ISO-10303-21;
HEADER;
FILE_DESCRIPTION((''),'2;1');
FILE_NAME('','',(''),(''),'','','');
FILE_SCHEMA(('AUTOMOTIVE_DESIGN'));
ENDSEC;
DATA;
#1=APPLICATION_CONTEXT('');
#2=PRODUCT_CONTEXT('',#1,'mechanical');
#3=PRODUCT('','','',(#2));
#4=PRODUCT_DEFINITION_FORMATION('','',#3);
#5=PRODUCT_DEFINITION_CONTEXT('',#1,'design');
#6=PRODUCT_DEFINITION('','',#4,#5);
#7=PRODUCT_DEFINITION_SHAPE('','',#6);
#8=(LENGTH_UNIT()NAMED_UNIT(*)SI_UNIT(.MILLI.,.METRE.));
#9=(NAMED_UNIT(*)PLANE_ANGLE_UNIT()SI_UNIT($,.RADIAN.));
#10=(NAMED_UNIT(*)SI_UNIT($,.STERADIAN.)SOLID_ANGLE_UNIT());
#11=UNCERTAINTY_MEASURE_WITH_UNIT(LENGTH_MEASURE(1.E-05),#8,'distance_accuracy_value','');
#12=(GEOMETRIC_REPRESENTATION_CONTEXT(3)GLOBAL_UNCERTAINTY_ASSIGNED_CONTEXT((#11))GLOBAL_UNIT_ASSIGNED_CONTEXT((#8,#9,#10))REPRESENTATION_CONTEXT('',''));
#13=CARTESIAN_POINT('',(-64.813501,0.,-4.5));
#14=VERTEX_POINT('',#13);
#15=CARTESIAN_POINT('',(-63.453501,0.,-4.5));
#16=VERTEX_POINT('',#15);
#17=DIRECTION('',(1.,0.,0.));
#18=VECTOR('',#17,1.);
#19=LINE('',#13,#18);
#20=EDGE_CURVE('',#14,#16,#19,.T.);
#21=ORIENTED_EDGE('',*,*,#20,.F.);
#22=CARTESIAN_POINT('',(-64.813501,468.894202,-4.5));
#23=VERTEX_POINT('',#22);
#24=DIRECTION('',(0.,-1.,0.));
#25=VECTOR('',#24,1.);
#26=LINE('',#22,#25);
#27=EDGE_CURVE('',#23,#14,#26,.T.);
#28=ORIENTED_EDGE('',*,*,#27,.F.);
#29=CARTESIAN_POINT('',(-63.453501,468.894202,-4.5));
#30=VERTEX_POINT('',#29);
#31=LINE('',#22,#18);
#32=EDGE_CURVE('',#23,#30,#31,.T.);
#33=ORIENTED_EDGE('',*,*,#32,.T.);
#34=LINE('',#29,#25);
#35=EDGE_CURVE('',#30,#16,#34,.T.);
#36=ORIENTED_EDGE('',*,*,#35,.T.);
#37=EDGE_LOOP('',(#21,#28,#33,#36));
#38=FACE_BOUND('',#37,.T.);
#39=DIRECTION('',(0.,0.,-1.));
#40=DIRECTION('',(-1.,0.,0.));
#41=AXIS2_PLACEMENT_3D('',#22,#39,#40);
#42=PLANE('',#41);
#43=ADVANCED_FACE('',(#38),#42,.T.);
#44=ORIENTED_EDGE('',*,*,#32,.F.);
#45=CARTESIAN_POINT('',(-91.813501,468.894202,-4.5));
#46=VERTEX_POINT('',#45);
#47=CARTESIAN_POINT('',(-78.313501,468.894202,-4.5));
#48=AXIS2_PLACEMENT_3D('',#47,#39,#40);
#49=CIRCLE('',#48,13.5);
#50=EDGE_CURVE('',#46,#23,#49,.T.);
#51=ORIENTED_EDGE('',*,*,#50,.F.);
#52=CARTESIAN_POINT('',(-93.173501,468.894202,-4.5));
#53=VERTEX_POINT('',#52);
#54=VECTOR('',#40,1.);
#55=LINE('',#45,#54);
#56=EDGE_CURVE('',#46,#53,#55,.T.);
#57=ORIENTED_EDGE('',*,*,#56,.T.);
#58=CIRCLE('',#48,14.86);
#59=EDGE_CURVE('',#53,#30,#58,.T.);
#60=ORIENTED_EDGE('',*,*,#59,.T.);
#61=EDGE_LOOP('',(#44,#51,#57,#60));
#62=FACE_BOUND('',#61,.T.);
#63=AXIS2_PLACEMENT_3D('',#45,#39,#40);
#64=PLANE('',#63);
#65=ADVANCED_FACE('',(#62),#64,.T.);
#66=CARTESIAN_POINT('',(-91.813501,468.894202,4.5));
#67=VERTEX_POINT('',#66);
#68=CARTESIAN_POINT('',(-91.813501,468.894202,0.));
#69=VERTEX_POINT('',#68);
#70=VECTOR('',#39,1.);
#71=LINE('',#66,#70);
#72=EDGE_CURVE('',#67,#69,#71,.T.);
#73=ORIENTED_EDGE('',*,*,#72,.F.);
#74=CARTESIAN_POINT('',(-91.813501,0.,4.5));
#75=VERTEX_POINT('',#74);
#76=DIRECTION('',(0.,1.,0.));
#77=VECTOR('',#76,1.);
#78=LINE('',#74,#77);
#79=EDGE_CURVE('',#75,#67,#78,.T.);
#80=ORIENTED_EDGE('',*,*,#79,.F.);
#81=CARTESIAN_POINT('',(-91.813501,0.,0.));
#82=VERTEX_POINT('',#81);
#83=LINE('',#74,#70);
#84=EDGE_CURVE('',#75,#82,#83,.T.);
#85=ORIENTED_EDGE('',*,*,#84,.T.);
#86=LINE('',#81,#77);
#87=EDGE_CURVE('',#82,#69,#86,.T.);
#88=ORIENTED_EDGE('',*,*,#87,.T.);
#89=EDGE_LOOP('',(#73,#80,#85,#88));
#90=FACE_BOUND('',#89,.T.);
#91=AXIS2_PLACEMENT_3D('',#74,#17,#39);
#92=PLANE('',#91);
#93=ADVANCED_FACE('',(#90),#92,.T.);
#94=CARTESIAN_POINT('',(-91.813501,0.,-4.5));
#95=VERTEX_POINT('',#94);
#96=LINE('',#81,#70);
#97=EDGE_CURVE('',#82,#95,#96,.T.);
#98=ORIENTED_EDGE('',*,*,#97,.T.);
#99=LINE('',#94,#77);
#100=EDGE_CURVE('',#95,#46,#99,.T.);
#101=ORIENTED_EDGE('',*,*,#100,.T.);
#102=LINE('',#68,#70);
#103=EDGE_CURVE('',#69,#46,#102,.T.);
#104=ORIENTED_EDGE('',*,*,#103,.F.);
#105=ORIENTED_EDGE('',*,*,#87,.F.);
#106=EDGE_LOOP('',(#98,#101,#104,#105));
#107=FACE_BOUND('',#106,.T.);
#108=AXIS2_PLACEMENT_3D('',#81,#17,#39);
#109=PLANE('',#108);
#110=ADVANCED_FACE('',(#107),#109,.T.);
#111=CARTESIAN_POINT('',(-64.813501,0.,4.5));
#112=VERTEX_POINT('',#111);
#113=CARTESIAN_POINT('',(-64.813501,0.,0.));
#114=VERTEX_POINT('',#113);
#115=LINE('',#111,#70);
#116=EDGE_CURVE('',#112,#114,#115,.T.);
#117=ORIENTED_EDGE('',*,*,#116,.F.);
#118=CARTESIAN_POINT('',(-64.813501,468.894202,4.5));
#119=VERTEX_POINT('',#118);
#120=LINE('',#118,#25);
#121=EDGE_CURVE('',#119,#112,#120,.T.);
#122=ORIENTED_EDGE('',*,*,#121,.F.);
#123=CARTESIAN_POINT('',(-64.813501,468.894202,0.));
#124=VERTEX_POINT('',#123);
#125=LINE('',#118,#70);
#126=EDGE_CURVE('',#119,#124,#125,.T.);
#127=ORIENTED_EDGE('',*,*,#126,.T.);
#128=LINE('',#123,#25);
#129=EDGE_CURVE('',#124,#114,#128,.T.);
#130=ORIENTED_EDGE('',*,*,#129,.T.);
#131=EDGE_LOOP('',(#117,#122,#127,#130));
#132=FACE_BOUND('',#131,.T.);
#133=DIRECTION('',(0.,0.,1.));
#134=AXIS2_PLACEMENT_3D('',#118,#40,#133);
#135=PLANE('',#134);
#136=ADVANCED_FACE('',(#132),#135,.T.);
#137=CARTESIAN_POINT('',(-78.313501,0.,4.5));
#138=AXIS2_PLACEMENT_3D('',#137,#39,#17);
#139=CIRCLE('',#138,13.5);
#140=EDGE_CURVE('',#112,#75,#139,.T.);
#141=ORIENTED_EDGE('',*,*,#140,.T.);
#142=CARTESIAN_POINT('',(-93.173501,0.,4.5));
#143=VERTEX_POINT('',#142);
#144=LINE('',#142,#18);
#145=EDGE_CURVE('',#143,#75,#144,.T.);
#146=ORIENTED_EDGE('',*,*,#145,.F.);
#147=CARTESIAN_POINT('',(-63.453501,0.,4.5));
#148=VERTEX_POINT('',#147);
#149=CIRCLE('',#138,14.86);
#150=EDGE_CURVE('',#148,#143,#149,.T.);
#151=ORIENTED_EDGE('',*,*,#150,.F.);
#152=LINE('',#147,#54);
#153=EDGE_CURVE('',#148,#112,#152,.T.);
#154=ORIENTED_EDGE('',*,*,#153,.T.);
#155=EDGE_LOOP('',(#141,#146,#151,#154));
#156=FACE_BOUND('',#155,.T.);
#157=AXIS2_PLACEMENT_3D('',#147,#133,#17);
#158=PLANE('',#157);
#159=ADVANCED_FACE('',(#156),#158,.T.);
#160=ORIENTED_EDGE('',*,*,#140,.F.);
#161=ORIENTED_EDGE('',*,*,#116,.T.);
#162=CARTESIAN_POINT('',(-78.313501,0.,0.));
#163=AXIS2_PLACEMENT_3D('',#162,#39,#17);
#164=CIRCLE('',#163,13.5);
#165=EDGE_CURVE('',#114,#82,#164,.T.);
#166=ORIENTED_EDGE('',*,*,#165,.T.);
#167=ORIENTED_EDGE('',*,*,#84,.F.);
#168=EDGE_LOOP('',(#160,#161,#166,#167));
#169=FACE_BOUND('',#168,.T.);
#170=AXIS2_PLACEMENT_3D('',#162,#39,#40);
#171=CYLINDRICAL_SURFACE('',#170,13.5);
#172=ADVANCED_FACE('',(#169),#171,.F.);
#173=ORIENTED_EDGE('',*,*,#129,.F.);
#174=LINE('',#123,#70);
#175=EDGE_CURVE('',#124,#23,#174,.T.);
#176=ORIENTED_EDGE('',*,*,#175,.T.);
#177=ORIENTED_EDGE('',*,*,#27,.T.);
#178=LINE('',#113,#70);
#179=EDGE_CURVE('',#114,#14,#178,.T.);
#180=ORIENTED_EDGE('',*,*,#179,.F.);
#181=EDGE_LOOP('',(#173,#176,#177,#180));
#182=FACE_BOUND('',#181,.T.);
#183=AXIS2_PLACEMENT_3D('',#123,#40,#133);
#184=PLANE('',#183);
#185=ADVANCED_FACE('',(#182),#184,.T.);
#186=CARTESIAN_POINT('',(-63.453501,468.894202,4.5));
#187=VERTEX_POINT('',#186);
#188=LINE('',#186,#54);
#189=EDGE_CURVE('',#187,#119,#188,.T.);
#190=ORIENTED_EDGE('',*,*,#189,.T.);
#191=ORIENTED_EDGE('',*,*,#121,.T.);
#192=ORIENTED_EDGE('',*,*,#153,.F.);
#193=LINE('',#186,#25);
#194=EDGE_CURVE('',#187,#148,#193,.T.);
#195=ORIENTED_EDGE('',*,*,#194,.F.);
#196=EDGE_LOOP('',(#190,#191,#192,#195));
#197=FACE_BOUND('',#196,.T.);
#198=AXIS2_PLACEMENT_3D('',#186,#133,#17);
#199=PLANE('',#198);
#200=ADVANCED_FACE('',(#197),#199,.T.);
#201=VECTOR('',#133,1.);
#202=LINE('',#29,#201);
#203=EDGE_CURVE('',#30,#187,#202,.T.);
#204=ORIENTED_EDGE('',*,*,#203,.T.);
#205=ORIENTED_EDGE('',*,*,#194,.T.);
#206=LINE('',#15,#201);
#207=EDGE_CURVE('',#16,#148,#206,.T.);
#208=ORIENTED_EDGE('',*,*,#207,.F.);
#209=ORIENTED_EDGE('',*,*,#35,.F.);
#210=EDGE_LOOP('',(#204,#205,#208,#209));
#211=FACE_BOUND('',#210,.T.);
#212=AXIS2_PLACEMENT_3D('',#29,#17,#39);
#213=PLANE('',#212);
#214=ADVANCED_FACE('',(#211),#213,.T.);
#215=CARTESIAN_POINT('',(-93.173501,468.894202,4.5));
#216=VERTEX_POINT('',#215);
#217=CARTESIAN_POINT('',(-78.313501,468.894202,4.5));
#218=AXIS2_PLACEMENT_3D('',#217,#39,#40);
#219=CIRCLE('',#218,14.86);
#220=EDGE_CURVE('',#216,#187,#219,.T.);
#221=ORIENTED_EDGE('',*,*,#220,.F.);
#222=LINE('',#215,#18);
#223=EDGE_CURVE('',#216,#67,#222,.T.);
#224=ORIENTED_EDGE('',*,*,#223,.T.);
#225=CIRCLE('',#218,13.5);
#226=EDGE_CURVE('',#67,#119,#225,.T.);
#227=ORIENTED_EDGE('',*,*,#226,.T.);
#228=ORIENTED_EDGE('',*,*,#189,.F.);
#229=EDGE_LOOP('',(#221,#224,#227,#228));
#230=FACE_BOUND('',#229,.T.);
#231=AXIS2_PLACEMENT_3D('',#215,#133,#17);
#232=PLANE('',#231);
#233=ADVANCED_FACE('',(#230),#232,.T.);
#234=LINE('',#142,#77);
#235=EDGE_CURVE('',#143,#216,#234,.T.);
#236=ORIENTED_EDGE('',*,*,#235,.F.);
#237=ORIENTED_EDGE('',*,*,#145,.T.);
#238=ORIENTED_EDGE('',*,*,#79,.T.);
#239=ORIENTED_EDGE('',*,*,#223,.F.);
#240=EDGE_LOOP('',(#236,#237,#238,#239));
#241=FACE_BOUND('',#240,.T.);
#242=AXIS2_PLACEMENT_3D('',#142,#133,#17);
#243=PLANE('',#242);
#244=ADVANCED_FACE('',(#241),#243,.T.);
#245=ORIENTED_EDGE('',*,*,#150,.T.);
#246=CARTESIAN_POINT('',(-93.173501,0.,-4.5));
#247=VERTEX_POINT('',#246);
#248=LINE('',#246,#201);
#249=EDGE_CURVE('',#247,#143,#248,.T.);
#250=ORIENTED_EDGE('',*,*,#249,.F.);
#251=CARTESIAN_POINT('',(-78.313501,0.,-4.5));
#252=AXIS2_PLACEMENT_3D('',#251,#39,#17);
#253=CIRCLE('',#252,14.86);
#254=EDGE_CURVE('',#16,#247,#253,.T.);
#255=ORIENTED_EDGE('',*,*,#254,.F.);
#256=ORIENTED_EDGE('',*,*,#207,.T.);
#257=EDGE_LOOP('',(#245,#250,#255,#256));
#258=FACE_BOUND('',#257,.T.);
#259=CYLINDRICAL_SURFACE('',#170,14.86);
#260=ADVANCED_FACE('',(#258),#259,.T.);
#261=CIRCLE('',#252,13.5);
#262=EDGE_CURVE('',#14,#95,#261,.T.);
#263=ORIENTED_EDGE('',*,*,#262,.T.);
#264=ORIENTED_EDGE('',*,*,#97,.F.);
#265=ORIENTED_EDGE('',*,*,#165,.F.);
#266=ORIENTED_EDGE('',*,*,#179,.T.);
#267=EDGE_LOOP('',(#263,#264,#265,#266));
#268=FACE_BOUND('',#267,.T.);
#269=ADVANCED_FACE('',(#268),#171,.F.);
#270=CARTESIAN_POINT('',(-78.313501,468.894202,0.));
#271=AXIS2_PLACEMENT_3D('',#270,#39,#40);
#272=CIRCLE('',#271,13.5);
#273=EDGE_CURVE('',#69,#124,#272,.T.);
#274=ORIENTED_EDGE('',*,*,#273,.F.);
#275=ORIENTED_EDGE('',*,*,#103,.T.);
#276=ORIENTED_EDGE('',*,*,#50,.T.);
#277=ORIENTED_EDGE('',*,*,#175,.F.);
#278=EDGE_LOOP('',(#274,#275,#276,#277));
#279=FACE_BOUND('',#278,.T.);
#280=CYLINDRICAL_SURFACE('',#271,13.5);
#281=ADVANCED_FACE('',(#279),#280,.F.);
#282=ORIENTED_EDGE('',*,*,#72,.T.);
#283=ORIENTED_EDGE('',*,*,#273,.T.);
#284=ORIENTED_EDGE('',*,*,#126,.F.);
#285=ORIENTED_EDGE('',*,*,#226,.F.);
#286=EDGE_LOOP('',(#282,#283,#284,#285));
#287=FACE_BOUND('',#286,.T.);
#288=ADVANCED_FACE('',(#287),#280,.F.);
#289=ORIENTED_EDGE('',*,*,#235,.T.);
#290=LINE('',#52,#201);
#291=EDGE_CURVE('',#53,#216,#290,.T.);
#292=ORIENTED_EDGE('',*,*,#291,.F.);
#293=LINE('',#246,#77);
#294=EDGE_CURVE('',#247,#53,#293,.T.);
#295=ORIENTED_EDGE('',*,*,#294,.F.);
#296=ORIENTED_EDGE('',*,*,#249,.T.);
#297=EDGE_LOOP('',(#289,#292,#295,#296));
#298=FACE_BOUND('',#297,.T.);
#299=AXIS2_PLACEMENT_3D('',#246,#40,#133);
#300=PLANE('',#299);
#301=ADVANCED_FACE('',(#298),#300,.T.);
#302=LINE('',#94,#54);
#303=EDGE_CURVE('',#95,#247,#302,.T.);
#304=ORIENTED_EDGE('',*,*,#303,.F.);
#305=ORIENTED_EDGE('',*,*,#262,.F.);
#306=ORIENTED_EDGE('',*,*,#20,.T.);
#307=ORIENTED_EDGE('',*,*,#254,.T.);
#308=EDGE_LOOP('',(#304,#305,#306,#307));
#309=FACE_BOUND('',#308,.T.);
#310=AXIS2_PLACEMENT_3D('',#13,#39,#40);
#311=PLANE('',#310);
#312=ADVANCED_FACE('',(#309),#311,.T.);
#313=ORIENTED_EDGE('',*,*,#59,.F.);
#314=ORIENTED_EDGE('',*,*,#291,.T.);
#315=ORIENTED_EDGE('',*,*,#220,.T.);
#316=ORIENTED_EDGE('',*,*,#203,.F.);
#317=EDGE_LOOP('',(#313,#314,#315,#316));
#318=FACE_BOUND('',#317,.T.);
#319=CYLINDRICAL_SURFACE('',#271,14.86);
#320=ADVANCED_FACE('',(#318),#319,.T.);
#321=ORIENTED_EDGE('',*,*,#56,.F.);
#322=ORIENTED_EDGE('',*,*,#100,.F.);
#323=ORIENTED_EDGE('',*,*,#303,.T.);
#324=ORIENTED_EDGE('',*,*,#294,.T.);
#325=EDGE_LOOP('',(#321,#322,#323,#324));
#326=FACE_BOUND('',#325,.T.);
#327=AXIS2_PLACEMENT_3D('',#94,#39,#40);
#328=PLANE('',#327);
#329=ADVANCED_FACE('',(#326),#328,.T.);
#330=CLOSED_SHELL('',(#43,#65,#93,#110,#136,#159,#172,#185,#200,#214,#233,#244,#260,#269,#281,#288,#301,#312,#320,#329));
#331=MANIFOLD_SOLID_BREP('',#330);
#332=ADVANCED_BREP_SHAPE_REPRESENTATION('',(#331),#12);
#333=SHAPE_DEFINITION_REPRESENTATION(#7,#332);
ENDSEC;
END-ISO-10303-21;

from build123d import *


with BuildPart() as part:
    # ｽｲｰﾌﾟ1: sweep along a path in ｽｹｯﾁ2
    with BuildLine(Plane.XY) as sweep_1_path:
        Line((-91.813501319, 0), (-91.813501319, 468.89420214))
        ThreePointArc((-91.813501319, 468.89420214), (-78.313501319, 482.39420214), (-64.813501319, 468.89420214))
        Line((-64.813501319, 468.89420214), (-64.813501319, 0))
        ThreePointArc((-64.813501319, 0), (-78.313501319, -13.5), (-91.813501319, 0))
    # Sketch 3D_4 → ｽｲｰﾌﾟ1 (sweep)
    with BuildSketch(Plane(origin=(-64.813501319, 1e-09, 0), x_dir=(0.2892988463727858, 0, -0.9572388299099527), z_dir=(0, -1, 0))):
        Polygon((0, 0), (4.307574735, -1.301844809), (4.701021166, 0), (-3.914128304, 2.603689617), (-4.307574735, 1.301844809), align=None)
    sweep(path=sweep_1_path.line)


solid = part.part
